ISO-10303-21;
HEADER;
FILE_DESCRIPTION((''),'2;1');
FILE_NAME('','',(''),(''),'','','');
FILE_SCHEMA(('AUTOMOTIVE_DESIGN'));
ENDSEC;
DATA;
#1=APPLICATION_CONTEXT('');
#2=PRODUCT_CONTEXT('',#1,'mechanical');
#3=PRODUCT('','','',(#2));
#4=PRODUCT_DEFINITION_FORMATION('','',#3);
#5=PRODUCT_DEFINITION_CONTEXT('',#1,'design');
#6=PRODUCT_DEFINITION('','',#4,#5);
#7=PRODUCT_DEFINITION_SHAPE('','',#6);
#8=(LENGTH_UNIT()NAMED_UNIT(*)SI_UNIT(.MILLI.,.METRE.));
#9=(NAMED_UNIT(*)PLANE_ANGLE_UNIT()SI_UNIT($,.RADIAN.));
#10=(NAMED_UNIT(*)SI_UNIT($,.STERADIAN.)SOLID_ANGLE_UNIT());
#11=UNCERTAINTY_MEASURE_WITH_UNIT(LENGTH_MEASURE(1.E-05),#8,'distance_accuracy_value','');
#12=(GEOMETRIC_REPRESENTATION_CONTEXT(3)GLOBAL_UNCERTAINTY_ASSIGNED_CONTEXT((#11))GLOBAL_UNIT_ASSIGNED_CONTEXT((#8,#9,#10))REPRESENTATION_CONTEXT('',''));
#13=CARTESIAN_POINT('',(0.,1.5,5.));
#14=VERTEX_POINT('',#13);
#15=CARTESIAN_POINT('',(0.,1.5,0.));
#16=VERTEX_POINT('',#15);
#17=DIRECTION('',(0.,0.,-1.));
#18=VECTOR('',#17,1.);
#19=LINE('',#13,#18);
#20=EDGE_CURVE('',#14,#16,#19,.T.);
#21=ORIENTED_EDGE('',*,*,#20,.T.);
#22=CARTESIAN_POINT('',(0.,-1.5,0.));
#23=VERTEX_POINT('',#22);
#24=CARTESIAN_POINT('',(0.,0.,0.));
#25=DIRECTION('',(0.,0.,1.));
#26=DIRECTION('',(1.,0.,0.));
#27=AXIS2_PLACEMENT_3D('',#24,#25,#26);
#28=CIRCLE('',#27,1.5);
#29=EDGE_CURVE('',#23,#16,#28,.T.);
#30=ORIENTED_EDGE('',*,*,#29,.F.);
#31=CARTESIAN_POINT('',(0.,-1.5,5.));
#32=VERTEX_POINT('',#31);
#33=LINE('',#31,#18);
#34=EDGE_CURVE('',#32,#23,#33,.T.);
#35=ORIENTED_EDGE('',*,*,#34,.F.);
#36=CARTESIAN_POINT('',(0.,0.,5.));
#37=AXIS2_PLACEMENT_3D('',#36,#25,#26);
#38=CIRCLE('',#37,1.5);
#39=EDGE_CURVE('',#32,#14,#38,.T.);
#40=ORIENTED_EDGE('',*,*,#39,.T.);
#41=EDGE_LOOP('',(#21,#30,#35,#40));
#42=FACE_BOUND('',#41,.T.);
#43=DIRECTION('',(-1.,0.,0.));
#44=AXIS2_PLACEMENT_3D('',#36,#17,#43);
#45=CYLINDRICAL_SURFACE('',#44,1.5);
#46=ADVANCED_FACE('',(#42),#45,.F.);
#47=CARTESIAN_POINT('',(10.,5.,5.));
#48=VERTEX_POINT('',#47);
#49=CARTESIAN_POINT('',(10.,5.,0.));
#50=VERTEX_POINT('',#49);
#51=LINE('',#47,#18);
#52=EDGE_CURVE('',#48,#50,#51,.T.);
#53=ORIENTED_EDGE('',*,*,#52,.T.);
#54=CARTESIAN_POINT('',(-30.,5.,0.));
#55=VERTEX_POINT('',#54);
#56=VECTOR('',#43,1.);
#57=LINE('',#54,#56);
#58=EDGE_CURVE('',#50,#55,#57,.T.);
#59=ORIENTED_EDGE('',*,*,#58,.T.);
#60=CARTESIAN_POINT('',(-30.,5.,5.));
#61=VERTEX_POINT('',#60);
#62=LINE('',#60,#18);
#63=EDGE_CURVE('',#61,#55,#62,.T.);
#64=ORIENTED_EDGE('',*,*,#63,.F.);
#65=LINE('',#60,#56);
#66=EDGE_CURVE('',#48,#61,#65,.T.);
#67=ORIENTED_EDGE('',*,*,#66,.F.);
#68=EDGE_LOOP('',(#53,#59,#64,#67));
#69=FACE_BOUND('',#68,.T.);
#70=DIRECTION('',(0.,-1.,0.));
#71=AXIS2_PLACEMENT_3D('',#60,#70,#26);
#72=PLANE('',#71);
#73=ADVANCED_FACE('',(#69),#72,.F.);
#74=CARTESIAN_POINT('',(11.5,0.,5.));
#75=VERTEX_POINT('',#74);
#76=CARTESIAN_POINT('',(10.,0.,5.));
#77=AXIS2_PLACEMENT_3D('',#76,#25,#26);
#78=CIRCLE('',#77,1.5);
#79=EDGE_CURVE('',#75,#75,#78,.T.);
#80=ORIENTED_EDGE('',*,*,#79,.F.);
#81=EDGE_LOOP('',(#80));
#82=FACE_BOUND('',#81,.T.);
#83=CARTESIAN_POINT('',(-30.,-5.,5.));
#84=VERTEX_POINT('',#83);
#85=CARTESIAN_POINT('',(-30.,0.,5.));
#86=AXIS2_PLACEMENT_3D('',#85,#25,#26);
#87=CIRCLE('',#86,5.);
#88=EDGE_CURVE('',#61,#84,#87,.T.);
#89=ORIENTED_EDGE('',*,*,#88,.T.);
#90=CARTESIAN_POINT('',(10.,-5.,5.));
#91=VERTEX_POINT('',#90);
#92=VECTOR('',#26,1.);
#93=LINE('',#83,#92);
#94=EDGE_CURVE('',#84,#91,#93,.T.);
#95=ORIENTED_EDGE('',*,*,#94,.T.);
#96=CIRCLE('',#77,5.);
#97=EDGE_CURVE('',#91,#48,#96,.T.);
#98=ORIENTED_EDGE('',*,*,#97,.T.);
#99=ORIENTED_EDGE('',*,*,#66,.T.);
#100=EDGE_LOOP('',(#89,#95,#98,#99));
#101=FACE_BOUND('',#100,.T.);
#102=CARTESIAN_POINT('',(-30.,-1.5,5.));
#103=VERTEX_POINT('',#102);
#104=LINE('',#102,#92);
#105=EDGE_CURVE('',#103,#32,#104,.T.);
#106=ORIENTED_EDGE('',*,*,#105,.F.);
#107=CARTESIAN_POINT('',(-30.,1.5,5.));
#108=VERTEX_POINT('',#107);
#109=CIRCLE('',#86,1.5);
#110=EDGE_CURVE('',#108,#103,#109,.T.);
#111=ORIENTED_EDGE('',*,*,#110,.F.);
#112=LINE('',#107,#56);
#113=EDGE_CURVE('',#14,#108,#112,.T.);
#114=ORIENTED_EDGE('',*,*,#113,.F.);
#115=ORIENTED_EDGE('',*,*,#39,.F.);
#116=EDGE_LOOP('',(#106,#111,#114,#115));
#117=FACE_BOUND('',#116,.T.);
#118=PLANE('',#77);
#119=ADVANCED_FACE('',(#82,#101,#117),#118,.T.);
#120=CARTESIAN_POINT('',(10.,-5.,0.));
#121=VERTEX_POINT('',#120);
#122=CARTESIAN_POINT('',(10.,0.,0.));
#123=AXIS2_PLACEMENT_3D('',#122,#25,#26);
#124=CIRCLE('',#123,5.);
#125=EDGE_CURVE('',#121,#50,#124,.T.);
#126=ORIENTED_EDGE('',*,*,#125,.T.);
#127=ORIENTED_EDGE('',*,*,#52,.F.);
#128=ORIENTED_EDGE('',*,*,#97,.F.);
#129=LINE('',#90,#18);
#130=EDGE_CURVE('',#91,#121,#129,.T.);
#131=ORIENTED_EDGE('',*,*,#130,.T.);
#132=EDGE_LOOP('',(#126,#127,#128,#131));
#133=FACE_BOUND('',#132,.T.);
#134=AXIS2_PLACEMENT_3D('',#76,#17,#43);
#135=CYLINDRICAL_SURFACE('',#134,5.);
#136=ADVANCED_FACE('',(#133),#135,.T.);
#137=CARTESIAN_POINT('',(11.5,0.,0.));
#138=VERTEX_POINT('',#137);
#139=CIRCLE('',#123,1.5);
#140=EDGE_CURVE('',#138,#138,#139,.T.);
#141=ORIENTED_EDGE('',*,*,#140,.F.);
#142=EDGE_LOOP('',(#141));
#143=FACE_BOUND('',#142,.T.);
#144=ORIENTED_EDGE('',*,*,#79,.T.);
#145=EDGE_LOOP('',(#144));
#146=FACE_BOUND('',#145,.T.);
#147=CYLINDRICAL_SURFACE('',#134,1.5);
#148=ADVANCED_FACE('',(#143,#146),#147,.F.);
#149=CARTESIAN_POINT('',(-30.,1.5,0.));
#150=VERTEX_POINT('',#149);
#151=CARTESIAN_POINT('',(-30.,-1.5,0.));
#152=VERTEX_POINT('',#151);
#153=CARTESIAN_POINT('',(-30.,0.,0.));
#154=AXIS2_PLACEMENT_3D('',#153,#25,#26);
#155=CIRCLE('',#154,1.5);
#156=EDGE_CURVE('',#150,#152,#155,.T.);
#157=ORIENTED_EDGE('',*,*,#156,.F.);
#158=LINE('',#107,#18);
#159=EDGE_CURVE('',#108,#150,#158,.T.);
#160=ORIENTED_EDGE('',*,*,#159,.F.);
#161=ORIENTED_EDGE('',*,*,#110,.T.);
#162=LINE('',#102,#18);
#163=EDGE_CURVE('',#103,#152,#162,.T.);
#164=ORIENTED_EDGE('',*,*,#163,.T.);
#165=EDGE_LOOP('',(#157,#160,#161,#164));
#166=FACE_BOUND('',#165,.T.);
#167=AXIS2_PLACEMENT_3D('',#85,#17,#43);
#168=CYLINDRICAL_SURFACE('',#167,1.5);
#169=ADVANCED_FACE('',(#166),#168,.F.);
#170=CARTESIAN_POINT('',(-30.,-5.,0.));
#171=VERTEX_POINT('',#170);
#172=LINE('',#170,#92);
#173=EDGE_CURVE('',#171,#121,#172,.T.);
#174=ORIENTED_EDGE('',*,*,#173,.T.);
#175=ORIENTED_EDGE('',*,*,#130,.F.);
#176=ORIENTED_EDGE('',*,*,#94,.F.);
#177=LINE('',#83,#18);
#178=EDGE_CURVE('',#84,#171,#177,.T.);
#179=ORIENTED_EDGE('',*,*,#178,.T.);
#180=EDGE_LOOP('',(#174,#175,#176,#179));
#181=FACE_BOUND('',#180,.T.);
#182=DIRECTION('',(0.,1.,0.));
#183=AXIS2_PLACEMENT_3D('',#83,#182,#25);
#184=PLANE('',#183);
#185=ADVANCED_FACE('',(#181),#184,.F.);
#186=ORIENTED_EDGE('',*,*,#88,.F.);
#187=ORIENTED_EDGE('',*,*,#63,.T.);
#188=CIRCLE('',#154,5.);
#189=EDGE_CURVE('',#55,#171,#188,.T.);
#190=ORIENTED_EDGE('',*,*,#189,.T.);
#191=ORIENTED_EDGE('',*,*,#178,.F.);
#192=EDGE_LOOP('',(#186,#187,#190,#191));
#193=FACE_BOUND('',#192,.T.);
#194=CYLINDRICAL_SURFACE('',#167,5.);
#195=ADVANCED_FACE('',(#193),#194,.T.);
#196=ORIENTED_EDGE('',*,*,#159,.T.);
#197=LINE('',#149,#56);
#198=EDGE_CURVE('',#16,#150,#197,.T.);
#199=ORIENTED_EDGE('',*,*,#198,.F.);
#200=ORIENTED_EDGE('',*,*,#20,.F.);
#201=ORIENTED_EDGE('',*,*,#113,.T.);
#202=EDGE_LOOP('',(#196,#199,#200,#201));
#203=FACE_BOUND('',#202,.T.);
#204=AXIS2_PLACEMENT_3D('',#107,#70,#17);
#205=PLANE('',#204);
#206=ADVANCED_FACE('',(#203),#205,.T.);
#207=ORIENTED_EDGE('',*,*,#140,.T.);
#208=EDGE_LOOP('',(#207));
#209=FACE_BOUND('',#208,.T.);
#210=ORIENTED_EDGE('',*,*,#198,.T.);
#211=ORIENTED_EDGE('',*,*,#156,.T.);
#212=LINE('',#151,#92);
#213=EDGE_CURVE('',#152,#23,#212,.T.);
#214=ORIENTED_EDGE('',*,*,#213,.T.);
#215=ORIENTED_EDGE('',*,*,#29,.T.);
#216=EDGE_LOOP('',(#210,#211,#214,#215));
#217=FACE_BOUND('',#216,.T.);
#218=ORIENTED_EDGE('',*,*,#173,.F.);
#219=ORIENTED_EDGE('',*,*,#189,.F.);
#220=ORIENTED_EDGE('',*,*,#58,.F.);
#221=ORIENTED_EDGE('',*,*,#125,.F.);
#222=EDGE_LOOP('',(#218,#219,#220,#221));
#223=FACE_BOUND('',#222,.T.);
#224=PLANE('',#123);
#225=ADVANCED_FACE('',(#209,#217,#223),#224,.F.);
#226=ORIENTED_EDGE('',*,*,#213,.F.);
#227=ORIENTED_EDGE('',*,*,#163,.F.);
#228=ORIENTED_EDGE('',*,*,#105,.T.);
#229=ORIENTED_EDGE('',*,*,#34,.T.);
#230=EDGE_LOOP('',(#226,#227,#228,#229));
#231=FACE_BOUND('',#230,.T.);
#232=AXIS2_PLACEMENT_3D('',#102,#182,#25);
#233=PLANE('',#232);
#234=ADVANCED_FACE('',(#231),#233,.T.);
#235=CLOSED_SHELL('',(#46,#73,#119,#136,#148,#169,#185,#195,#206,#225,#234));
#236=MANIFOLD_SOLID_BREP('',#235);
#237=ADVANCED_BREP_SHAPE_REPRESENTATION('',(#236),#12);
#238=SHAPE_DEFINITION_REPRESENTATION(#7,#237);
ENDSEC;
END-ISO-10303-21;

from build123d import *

# Parameters (mm, degrees)
SKETCH1_R           = 1.5
BOSS_EXTRUDE2_DEPTH = 5


with BuildPart() as part:
    # Sketch1 → Boss-Extrude2 (new body)
    with BuildSketch(Plane.XY):
        with BuildLine():
            Line((-30, 5), (10, 5))
            ThreePointArc((10, 5), (15, 0), (10, -5))
            Line((10, -5), (-30, -5))
            ThreePointArc((-30, -5), (-35, 0), (-30, 5))
        make_face()
        with Locations((10, 0)):
            Circle(SKETCH1_R, mode=Mode.SUBTRACT)
        with BuildLine():
            Line((-30, 1.5), (0, 1.5))
            ThreePointArc((0, 1.5), (1.5, 0), (0, -1.5))
            Line((0, -1.5), (-30, -1.5))
            ThreePointArc((-30, -1.5), (-31.5, 0), (-30, 1.5))
        make_face(mode=Mode.SUBTRACT)
    extrude(amount=BOSS_EXTRUDE2_DEPTH)


solid = part.part
